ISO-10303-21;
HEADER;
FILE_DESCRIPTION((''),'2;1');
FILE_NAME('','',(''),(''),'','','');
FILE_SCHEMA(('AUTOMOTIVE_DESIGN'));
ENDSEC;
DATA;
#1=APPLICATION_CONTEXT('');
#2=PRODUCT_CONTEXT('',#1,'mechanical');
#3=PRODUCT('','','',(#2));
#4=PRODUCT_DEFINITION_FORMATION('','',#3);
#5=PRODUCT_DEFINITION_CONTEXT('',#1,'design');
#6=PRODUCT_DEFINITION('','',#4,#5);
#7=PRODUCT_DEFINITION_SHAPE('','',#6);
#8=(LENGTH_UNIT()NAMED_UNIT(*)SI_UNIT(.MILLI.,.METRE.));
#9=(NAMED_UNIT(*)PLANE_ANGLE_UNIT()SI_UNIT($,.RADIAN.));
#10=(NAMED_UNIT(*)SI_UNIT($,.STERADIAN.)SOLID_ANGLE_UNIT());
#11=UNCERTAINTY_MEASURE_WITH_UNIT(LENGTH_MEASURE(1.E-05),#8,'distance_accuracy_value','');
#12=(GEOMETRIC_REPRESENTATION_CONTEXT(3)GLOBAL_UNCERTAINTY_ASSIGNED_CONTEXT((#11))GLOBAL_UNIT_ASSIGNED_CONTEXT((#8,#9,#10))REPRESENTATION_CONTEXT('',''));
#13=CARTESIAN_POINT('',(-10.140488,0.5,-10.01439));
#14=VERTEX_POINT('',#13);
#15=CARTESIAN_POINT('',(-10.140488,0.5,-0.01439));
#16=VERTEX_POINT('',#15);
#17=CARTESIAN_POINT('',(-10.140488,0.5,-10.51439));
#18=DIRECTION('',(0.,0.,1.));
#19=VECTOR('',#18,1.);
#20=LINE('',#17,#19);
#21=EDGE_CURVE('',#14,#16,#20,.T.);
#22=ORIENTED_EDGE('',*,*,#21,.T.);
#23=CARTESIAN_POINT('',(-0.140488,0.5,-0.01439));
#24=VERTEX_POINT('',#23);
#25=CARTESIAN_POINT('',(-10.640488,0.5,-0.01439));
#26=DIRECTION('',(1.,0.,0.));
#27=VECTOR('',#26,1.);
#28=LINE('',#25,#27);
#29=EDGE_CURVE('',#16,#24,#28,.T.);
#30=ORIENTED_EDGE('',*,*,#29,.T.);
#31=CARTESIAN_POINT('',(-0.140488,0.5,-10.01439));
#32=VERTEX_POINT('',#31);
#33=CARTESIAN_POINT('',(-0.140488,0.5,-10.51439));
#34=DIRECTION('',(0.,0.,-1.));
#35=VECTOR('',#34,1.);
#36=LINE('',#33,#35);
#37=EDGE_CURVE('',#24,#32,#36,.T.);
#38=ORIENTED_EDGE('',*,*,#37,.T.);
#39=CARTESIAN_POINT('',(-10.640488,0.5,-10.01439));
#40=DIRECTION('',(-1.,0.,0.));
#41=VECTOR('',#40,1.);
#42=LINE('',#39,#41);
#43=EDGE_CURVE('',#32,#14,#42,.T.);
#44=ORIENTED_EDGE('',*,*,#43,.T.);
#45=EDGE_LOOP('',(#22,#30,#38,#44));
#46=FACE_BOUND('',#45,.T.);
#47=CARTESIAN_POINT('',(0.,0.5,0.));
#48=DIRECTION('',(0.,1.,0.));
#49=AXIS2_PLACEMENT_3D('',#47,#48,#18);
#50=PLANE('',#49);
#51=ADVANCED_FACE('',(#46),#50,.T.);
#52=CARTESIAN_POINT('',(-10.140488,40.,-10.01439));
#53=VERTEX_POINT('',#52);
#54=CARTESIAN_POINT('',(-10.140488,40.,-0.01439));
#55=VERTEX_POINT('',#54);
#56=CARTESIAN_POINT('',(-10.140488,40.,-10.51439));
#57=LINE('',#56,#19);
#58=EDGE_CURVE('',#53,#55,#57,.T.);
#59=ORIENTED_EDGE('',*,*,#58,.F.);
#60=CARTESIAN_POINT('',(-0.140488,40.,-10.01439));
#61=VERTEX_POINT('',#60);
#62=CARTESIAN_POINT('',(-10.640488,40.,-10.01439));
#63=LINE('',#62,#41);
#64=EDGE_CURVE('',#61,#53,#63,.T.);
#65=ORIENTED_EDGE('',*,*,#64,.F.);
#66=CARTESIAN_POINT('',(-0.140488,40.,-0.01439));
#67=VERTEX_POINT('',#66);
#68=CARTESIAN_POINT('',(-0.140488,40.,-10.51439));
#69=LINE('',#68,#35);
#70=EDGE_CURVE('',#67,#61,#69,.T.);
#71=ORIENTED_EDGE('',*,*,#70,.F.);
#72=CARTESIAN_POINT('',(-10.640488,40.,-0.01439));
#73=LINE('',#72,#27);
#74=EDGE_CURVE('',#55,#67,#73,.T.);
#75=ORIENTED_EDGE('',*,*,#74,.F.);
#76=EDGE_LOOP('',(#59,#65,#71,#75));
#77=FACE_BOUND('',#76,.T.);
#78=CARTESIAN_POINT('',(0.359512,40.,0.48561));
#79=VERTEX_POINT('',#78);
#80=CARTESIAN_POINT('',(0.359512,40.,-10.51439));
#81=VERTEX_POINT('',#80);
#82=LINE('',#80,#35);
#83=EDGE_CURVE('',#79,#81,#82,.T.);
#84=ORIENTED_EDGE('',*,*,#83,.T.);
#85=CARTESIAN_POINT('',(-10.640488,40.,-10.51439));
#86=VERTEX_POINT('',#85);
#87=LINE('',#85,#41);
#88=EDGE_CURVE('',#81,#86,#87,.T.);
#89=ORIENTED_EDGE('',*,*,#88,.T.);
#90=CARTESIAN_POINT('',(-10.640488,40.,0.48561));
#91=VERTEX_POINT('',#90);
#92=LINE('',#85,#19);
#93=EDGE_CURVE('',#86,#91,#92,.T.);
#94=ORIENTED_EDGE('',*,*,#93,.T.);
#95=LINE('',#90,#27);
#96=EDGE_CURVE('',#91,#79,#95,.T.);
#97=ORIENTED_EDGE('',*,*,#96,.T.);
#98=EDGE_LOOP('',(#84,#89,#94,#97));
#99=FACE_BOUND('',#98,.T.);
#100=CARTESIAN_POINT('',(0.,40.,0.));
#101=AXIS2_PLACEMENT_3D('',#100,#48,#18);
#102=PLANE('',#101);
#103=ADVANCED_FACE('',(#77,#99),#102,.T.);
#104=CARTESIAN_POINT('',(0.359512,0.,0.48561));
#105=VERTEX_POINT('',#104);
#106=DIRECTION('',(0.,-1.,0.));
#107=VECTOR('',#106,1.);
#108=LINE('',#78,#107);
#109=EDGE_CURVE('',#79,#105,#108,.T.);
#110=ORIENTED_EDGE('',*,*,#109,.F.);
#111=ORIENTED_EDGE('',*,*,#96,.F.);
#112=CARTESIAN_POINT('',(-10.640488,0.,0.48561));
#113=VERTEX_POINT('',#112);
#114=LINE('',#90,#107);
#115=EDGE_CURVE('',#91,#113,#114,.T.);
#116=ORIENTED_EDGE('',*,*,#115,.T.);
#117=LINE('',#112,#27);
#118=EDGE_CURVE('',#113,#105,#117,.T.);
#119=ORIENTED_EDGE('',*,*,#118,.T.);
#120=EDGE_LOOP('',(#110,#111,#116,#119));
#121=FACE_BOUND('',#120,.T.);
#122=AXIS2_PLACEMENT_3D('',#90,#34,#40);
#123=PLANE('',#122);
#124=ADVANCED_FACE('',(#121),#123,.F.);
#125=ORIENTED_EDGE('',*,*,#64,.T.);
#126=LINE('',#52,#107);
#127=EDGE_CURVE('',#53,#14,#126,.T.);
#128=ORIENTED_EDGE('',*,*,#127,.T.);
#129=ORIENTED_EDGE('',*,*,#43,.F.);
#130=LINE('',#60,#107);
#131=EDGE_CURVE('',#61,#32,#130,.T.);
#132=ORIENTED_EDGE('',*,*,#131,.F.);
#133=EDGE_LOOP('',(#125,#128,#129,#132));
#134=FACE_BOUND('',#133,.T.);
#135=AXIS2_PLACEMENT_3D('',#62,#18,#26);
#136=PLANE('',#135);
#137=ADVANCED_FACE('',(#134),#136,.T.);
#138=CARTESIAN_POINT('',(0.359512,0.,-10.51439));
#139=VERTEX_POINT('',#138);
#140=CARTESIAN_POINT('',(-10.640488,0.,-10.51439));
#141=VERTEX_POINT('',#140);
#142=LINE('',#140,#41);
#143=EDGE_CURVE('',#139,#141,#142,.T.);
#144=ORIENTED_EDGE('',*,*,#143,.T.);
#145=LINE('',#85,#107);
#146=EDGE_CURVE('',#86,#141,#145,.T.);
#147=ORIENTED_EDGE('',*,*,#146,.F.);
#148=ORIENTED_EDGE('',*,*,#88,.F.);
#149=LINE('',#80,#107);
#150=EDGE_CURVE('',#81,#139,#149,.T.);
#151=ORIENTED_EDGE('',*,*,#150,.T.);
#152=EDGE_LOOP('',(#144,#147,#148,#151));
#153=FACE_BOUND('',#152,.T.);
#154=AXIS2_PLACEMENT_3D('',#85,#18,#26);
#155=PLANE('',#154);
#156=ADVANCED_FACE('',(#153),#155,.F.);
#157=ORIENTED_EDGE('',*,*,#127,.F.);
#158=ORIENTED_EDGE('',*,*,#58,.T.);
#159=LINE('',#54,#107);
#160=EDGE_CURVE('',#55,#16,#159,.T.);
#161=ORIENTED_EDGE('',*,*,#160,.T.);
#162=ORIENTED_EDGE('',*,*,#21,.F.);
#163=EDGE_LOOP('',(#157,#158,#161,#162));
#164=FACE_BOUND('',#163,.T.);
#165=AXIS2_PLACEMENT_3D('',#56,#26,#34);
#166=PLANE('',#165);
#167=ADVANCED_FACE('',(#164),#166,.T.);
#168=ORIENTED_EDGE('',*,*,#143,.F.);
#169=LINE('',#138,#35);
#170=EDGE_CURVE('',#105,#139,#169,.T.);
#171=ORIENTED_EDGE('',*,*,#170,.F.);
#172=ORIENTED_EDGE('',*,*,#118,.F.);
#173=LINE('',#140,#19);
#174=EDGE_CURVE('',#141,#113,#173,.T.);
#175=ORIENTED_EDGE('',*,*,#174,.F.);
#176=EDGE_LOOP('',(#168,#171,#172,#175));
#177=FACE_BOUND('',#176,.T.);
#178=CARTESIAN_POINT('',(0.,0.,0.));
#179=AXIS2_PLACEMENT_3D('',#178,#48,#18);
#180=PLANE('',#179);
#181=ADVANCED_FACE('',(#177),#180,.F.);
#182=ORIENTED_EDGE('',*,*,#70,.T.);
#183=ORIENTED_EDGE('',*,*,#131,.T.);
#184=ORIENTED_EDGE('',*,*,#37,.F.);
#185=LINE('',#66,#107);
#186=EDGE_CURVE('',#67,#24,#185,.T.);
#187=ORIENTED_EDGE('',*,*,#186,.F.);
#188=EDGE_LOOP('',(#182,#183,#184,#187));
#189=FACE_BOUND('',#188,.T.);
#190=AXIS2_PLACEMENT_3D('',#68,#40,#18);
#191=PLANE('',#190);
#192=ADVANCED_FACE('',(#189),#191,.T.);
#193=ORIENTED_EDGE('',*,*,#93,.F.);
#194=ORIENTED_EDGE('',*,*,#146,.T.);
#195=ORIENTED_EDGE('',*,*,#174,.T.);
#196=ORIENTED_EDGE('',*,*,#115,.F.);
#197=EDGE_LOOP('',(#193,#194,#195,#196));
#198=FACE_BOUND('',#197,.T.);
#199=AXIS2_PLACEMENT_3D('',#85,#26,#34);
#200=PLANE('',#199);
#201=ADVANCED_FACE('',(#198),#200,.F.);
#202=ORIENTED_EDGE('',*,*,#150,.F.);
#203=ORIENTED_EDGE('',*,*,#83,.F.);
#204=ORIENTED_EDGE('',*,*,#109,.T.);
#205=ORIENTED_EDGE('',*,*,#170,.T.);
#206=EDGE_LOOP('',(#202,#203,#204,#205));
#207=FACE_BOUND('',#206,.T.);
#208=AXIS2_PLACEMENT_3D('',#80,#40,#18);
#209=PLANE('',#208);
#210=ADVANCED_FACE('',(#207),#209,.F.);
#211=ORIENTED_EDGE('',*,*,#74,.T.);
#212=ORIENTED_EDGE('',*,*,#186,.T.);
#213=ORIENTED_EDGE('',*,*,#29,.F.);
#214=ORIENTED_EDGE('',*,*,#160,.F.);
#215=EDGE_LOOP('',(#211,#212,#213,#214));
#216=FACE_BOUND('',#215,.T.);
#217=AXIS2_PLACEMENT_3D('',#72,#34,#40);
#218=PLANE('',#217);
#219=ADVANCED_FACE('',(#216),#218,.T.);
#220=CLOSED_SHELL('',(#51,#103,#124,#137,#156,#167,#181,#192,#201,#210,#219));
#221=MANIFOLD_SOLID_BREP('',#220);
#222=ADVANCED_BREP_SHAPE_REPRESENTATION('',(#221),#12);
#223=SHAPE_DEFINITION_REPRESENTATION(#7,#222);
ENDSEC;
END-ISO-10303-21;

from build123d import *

# Parameters (mm, degrees)
SKETCH1_W           = 11
SKETCH1_H           = 11
BOSS_EXTRUDE2_DEPTH = 40
SHELL1_T            = -0.5


with BuildPart() as part:
    # Sketch1 → Boss-Extrude2 (new body)
    with BuildSketch(Plane(origin=(0, 0, 0), x_dir=(1, 0, 0), z_dir=(0, 1, 0))):
        with Locations((-5.140487805, 5.014390244)):
            Rectangle(SKETCH1_W, SKETCH1_H)
    extrude(amount=BOSS_EXTRUDE2_DEPTH)

    # Shell1
    shell1_openings = [part.faces().sort_by_distance(p)[0] for p in [
        (-5.140487805, 40, -5.014390244),
    ]]
    offset(amount=SHELL1_T, openings=shell1_openings, kind=Kind.INTERSECTION)


solid = part.part
